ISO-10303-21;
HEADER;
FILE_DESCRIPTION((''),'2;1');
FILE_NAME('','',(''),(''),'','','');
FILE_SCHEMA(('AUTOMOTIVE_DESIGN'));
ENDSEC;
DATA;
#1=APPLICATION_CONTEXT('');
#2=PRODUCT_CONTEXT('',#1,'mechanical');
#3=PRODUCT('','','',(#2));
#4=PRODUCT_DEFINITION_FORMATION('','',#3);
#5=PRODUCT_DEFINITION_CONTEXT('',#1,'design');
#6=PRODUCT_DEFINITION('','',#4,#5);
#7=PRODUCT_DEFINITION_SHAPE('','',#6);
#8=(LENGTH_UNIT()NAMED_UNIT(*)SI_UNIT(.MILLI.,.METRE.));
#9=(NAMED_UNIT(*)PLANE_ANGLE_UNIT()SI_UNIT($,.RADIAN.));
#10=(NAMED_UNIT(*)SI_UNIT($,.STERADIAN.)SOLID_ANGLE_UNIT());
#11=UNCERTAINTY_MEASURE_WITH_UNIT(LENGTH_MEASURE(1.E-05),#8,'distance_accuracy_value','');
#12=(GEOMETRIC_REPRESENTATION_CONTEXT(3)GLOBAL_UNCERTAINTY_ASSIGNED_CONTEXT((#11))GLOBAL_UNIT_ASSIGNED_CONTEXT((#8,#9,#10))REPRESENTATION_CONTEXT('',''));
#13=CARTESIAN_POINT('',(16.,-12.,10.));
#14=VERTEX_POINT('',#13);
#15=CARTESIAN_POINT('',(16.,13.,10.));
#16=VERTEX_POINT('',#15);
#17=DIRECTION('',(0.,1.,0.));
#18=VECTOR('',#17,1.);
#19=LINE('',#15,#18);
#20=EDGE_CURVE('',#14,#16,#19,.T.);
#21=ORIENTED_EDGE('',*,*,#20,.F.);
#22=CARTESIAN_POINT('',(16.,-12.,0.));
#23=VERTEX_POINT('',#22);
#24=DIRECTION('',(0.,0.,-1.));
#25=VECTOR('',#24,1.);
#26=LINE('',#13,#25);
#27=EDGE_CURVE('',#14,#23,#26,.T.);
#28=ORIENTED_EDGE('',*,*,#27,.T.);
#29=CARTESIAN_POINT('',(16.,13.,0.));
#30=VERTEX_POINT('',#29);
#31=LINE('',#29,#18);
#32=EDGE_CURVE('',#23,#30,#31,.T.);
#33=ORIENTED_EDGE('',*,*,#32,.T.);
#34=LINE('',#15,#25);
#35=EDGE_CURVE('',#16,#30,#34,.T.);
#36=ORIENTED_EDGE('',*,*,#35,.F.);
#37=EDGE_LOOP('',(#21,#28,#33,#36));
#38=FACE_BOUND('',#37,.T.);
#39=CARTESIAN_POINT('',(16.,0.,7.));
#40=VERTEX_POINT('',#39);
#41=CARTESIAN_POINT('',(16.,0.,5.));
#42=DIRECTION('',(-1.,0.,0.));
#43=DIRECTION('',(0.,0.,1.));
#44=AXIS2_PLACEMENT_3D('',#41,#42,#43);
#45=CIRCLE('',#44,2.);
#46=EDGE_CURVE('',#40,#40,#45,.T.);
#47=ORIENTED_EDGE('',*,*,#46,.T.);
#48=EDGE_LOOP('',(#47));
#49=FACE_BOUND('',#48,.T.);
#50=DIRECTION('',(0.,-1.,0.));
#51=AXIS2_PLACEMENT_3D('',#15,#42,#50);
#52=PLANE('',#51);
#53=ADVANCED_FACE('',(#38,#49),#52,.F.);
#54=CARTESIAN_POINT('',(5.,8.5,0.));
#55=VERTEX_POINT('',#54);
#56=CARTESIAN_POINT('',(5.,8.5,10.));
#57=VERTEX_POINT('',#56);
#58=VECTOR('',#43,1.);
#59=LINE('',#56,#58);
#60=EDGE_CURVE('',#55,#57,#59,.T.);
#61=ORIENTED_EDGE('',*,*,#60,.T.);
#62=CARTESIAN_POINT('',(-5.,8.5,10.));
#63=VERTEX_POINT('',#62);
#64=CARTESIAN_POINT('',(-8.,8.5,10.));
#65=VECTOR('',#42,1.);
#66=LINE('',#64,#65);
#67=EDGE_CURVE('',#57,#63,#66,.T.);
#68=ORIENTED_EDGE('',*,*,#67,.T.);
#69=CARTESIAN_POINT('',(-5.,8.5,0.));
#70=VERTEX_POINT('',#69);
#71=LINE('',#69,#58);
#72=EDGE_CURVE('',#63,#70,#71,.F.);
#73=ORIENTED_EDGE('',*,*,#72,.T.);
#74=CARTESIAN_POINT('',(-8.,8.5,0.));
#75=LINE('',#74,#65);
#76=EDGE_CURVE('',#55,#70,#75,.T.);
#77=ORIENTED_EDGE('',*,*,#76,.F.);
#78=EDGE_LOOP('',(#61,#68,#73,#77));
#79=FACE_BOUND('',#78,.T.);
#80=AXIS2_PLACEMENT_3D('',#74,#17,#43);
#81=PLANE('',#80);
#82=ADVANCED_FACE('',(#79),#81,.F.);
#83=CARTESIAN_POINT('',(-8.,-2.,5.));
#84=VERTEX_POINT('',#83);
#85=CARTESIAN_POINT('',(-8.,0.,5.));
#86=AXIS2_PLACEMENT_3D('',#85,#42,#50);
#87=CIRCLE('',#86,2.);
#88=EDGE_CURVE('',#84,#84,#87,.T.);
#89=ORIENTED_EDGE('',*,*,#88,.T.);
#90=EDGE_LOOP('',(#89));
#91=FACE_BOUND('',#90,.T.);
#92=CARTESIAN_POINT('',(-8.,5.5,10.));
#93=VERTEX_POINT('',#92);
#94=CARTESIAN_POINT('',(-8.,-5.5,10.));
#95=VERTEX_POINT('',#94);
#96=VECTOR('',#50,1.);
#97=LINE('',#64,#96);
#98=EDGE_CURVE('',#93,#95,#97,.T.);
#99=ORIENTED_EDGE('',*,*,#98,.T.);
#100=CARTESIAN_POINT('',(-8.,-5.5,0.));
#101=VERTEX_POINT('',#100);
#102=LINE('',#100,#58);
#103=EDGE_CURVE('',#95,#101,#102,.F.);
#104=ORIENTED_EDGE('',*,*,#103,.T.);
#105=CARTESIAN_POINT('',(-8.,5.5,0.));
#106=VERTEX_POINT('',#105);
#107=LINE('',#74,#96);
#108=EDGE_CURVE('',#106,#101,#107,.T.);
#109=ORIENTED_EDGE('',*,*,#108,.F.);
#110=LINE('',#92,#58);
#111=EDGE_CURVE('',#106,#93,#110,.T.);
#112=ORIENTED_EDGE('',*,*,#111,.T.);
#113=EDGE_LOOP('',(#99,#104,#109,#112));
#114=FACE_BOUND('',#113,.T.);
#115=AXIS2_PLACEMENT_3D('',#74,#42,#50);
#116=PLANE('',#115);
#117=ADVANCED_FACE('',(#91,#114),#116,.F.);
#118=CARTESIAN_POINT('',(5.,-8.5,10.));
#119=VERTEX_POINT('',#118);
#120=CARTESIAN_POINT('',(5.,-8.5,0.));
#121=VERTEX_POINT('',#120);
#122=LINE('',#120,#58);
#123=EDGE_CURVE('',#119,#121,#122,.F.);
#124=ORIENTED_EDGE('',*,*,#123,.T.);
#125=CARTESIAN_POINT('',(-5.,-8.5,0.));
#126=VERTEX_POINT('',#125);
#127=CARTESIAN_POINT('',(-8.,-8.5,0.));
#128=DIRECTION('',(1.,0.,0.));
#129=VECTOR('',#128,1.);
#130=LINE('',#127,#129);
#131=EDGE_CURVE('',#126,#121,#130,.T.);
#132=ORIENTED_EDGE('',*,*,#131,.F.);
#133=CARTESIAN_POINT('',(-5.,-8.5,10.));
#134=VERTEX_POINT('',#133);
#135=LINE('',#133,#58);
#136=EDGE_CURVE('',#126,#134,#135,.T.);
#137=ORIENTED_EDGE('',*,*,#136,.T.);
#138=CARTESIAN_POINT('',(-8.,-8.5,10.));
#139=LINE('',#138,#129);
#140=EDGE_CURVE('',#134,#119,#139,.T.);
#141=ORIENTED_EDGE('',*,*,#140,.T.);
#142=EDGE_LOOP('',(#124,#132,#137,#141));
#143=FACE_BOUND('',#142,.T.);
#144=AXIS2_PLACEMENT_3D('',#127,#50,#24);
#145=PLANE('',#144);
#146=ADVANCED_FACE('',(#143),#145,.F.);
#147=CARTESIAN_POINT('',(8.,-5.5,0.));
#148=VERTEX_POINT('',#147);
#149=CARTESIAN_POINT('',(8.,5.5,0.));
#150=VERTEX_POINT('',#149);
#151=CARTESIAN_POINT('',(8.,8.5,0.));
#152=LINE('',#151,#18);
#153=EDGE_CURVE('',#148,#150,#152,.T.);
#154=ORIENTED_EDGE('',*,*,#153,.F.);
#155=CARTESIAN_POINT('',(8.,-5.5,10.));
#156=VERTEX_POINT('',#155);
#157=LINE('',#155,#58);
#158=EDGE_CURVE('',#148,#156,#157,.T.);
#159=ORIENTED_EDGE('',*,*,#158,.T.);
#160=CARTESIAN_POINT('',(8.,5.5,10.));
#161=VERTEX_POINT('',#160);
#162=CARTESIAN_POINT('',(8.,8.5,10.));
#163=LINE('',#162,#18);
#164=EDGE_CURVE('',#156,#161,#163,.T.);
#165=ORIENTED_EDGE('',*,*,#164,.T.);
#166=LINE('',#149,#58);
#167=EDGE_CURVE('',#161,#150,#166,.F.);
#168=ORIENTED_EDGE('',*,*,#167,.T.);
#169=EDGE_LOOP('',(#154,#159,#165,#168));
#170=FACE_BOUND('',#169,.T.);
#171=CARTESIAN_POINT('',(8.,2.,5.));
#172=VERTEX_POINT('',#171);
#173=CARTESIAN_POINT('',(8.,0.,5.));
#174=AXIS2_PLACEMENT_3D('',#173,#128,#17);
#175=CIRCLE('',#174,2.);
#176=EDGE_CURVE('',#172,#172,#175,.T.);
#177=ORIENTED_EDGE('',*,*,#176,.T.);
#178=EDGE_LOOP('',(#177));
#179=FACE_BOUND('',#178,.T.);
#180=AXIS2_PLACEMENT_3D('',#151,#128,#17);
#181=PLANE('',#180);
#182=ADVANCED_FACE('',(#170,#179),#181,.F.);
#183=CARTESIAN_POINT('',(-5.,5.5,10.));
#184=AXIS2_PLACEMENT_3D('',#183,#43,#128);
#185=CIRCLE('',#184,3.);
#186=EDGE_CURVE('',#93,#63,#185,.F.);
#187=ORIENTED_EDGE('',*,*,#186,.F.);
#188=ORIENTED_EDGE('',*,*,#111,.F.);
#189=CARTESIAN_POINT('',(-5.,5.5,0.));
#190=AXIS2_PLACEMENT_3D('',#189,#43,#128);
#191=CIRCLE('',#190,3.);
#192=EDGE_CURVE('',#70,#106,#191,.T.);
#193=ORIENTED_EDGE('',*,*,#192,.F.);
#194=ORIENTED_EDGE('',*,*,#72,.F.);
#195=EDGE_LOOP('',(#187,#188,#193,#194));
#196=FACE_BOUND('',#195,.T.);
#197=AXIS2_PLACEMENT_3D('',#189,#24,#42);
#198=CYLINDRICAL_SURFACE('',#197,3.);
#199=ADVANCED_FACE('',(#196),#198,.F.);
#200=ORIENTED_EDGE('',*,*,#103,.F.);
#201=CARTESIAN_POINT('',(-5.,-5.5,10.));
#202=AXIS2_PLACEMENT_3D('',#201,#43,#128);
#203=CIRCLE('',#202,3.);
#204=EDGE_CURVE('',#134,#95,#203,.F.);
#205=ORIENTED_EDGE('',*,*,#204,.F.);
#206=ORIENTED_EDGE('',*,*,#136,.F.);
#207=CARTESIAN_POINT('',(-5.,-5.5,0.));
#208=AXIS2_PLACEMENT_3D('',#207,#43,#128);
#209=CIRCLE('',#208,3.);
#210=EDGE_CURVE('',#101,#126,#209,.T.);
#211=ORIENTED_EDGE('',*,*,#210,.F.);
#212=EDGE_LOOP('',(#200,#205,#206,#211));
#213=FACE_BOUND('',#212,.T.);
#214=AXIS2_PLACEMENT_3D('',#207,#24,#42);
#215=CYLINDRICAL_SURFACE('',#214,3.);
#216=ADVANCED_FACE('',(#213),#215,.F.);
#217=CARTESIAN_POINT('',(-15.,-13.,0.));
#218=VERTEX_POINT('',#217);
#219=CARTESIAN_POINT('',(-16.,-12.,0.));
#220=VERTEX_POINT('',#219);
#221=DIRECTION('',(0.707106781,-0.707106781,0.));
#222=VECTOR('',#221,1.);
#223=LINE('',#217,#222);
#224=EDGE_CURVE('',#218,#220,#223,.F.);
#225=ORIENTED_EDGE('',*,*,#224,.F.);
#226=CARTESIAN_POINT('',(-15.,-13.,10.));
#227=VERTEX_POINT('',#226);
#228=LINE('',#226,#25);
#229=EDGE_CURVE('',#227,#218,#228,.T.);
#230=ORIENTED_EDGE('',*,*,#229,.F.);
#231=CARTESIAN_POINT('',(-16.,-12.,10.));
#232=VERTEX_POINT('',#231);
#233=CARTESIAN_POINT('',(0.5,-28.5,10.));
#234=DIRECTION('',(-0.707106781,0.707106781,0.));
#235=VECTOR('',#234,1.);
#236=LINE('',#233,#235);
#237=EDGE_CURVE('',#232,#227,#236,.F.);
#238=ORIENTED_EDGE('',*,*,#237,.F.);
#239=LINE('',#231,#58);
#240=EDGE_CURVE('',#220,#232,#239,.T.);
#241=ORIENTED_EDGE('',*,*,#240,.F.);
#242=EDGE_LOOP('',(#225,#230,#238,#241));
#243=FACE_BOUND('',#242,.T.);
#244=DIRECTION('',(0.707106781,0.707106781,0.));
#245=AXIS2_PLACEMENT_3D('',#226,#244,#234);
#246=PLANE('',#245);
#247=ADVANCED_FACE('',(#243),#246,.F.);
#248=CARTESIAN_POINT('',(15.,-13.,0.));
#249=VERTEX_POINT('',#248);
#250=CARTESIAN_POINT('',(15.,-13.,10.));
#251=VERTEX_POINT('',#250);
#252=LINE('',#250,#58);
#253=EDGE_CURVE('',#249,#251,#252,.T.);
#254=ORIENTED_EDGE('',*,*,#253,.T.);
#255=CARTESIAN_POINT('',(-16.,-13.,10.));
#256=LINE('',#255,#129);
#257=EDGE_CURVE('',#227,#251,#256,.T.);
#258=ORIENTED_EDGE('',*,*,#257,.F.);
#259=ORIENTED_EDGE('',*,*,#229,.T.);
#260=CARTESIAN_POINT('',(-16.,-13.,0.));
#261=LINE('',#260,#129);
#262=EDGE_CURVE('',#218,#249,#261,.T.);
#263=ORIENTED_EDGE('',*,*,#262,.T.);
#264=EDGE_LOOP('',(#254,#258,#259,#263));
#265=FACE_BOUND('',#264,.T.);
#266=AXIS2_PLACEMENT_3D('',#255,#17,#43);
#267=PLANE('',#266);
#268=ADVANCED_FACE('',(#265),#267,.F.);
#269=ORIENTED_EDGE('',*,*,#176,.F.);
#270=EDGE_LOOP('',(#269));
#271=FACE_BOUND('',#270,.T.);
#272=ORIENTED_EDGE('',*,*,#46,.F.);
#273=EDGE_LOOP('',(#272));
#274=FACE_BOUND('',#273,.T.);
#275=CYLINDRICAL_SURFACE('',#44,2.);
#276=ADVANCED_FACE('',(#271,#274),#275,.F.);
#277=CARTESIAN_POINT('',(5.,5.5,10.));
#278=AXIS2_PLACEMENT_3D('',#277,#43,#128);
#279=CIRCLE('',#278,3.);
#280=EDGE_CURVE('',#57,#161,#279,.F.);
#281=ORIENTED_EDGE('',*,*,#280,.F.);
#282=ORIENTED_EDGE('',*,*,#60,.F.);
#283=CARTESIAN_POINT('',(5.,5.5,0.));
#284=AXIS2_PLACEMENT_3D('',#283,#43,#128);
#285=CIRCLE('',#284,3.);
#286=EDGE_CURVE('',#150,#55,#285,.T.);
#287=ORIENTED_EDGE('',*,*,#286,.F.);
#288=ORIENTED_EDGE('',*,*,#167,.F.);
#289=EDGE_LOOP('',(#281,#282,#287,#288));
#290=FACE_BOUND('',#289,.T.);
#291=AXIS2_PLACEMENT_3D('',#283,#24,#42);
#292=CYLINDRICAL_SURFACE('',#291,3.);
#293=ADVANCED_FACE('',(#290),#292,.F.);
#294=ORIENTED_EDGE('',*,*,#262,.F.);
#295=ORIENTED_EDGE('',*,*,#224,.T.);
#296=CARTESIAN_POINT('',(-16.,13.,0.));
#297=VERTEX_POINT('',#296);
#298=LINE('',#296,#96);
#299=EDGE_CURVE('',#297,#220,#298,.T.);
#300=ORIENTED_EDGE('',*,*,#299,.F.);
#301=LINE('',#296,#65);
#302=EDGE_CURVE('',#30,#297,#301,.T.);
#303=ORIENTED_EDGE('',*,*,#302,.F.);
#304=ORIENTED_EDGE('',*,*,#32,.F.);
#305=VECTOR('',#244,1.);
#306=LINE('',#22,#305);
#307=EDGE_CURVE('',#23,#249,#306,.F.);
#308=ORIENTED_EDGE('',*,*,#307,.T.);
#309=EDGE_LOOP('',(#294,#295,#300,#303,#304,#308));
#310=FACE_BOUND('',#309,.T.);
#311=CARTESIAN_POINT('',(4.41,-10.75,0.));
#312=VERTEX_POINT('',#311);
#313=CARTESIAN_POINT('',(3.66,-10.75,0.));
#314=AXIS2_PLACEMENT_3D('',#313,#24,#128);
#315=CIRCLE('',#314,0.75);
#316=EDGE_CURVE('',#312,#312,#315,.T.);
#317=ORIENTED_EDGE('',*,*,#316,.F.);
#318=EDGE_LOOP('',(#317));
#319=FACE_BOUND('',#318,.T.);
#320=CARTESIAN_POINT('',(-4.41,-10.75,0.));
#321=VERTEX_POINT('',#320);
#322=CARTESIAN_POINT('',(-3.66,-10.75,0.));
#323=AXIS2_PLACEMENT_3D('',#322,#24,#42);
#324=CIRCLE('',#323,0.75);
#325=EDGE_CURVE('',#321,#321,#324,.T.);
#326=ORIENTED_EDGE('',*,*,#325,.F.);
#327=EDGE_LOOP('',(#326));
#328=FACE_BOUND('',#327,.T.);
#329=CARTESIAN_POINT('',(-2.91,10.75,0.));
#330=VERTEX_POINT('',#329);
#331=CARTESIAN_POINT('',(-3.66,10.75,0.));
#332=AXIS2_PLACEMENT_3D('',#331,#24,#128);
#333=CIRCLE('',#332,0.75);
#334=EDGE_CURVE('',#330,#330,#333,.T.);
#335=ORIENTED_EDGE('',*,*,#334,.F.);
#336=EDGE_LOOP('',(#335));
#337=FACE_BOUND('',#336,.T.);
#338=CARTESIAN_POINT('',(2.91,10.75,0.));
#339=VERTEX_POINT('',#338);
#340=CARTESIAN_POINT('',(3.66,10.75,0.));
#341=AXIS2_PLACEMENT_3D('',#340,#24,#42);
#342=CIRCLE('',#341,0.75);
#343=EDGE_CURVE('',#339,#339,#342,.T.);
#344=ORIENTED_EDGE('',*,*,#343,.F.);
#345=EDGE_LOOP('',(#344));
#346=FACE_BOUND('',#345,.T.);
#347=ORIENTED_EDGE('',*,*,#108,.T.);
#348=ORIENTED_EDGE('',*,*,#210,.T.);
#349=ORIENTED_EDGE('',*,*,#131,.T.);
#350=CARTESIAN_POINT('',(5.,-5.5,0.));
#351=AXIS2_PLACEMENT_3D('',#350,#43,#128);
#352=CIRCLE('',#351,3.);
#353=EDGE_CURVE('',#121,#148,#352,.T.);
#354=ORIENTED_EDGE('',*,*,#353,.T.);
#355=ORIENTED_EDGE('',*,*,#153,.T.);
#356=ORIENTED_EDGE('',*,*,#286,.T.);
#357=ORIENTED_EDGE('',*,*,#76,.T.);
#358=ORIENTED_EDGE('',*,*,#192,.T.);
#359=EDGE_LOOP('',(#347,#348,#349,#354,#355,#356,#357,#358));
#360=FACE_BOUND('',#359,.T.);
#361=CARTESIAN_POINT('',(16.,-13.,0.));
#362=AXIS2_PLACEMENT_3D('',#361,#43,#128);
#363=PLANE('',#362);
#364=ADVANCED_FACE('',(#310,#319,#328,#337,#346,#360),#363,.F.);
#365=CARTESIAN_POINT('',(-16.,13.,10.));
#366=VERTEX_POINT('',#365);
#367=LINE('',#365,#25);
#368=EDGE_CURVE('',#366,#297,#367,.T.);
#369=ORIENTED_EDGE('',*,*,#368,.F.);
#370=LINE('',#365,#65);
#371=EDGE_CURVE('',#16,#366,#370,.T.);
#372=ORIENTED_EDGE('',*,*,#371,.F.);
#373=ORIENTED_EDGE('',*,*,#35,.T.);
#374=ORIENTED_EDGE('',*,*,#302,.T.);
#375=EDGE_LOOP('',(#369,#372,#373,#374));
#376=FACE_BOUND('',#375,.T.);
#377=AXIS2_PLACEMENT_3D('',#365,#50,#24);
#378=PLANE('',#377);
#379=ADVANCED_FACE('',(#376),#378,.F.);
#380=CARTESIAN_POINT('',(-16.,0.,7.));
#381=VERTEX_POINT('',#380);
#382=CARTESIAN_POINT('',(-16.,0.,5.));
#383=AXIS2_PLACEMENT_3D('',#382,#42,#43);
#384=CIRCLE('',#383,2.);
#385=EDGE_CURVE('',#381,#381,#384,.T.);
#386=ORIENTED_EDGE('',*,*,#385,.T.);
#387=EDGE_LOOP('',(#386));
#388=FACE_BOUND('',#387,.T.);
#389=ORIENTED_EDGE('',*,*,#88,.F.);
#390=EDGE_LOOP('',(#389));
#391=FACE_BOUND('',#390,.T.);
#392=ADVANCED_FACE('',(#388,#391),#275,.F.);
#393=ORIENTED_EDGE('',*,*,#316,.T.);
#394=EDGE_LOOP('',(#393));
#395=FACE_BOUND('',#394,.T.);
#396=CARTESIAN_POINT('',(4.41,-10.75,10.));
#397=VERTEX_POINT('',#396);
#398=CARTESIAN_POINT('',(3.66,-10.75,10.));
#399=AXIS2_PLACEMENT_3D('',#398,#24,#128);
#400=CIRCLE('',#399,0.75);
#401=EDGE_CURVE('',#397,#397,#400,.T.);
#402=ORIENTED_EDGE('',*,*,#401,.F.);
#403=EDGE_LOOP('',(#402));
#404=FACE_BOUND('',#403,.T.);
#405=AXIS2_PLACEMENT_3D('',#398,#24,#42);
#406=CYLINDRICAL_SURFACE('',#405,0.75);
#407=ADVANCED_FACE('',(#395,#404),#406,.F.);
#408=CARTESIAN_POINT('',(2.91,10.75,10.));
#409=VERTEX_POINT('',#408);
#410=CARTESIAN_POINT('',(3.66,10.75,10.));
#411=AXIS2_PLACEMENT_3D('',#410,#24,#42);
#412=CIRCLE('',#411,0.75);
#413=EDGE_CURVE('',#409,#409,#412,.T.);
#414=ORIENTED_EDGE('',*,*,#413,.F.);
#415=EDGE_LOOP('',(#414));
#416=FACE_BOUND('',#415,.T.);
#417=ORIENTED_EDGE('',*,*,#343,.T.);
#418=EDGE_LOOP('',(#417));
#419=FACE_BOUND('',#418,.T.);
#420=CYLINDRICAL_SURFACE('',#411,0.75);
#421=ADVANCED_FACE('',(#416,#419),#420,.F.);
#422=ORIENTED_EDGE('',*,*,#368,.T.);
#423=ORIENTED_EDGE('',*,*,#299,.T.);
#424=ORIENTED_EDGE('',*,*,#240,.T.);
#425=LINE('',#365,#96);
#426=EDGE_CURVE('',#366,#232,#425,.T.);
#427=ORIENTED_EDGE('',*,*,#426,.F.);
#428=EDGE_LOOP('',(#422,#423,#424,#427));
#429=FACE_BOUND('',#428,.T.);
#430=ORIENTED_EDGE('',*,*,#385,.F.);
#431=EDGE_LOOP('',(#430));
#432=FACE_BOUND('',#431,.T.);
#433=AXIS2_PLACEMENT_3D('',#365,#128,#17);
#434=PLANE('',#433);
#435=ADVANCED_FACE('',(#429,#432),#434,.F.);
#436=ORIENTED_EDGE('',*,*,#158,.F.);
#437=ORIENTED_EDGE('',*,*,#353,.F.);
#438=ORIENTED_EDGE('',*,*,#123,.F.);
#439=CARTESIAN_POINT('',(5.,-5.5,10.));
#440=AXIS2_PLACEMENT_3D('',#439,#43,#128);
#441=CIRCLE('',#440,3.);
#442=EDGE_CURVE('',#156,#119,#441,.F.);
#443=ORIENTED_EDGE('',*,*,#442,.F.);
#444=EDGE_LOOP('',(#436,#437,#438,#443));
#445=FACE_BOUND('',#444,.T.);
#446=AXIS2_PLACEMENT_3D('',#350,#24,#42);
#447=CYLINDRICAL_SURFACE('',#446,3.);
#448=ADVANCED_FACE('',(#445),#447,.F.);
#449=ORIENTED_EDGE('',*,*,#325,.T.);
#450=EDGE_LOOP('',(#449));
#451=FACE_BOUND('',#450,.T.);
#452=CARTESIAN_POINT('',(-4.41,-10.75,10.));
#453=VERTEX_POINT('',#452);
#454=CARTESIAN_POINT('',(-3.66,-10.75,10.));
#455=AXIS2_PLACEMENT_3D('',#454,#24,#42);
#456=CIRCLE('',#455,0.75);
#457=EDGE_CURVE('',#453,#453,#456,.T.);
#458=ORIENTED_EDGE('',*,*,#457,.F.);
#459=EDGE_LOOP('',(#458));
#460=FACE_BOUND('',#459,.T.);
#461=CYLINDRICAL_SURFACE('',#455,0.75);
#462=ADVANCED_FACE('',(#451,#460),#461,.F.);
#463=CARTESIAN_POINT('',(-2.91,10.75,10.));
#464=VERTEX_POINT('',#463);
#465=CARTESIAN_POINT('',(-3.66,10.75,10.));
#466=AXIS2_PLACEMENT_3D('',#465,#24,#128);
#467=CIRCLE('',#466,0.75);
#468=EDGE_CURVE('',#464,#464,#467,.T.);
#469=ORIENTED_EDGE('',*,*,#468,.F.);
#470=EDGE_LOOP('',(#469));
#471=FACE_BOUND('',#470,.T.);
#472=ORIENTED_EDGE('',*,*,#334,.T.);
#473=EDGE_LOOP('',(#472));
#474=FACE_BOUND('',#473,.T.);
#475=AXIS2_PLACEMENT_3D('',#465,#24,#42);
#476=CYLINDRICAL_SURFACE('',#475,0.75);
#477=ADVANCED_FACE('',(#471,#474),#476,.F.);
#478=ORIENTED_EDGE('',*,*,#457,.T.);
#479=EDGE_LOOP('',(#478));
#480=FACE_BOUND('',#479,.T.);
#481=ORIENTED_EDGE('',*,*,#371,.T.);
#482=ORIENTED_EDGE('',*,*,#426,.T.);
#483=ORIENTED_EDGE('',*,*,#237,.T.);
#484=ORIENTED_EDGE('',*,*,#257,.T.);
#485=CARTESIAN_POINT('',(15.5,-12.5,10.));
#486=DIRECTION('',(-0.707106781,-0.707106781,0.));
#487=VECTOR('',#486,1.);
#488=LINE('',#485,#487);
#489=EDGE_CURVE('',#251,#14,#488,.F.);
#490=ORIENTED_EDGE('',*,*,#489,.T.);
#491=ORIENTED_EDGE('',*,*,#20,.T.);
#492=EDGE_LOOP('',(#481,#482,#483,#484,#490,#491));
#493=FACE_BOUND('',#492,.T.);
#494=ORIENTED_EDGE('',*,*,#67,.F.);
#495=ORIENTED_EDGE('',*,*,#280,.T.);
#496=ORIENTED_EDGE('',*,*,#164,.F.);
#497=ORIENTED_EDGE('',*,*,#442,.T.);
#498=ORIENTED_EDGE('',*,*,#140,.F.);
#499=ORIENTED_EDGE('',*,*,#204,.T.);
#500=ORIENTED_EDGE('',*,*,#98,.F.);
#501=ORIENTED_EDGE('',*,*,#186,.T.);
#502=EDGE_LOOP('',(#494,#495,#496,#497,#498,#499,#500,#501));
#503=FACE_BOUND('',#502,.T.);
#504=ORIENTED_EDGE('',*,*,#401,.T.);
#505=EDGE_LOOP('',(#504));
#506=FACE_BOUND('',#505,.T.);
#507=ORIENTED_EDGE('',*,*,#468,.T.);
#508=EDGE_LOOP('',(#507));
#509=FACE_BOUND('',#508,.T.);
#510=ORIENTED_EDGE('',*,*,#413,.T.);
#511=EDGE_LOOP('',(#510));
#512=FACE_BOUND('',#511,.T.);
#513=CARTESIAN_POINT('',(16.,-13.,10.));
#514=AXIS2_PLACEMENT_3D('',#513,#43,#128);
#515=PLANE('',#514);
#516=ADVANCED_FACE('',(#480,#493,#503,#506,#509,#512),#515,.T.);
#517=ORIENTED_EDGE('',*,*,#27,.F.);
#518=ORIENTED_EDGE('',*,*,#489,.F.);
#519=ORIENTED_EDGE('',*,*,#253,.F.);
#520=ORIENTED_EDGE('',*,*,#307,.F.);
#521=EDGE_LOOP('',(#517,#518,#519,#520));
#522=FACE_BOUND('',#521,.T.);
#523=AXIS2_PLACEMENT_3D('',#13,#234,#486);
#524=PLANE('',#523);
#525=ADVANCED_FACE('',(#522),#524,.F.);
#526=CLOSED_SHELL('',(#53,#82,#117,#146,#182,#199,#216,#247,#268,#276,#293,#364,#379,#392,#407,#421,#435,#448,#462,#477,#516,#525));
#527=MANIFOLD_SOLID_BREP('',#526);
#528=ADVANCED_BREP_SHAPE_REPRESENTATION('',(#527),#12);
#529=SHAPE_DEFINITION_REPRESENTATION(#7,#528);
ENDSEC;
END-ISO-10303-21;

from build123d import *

# Parameters (mm, degrees)
SKETCH_1_W          = 32
SKETCH_1_H          = 26
EXTRUDE_1_DEPTH     = 10
SKETCH_2_W          = 16
SKETCH_2_H          = 17
CUT_EXTRUDE_2_DEPTH = 23.912878475
FILLET_1_R          = 3
SKETCH_3_R          = 2
CUT_EXTRUDE_3_DEPTH = 36.958309193
CHAMFER_1_SIZE      = 1
SKETCH_4_R          = 0.75
CUT_EXTRUDE_1_DEPTH = 23.912878475


with BuildPart() as part:
    # Эскиз1 → Вытянуть1 (new body)
    with BuildSketch(Plane.XY):
        Rectangle(SKETCH_1_W, SKETCH_1_H)
    extrude(amount=EXTRUDE_1_DEPTH)

    # Эскиз2 → Вытянуть2 (cut, through all)
    with BuildSketch(Plane.XY.offset(10)):
        Rectangle(SKETCH_2_W, SKETCH_2_H)
    extrude(amount=-CUT_EXTRUDE_2_DEPTH, mode=Mode.SUBTRACT)

    # Скругление1
    fillet_1_edges = [part.edges().sort_by_distance(p)[0] for p in [
        (8, 8.5, 5),
        (8, -8.5, 5),
        (-8, -8.5, 5),
        (-8, 8.5, 5),
    ]]
    fillet(fillet_1_edges, radius=FILLET_1_R)

    # Эскиз3 → Вытянуть3 (cut, through all)
    with BuildSketch(Plane.ZY.offset(16)):
        with Locations((5, 0)):
            Circle(SKETCH_3_R)
    extrude(amount=-CUT_EXTRUDE_3_DEPTH, mode=Mode.SUBTRACT)

    # Фаска1
    chamfer_1_edges = [part.edges().sort_by_distance(p)[0] for p in [
        (16, -13, 5),
        (-16, -13, 5),
    ]]
    chamfer(chamfer_1_edges, length=CHAMFER_1_SIZE)

    # Эскиз4 → Вырез-Вытянуть1 (cut, through all)
    with BuildSketch(Plane(origin=(0, 0, 0), x_dir=(-1, 0, 0), z_dir=(0, 0, -1))):
        with Locations((-3.66, 10.75)):
            Circle(SKETCH_4_R)
        with Locations(Location((3.66, 10.75, 0), (0, 0, 180))):
            Circle(SKETCH_4_R)
        with Locations((3.66, -10.75)):
            Circle(SKETCH_4_R)
        with Locations(Location((-3.66, -10.75, 0), (0, 0, 180))):
            Circle(SKETCH_4_R)
    extrude(amount=-CUT_EXTRUDE_1_DEPTH, mode=Mode.SUBTRACT)


solid = part.part
